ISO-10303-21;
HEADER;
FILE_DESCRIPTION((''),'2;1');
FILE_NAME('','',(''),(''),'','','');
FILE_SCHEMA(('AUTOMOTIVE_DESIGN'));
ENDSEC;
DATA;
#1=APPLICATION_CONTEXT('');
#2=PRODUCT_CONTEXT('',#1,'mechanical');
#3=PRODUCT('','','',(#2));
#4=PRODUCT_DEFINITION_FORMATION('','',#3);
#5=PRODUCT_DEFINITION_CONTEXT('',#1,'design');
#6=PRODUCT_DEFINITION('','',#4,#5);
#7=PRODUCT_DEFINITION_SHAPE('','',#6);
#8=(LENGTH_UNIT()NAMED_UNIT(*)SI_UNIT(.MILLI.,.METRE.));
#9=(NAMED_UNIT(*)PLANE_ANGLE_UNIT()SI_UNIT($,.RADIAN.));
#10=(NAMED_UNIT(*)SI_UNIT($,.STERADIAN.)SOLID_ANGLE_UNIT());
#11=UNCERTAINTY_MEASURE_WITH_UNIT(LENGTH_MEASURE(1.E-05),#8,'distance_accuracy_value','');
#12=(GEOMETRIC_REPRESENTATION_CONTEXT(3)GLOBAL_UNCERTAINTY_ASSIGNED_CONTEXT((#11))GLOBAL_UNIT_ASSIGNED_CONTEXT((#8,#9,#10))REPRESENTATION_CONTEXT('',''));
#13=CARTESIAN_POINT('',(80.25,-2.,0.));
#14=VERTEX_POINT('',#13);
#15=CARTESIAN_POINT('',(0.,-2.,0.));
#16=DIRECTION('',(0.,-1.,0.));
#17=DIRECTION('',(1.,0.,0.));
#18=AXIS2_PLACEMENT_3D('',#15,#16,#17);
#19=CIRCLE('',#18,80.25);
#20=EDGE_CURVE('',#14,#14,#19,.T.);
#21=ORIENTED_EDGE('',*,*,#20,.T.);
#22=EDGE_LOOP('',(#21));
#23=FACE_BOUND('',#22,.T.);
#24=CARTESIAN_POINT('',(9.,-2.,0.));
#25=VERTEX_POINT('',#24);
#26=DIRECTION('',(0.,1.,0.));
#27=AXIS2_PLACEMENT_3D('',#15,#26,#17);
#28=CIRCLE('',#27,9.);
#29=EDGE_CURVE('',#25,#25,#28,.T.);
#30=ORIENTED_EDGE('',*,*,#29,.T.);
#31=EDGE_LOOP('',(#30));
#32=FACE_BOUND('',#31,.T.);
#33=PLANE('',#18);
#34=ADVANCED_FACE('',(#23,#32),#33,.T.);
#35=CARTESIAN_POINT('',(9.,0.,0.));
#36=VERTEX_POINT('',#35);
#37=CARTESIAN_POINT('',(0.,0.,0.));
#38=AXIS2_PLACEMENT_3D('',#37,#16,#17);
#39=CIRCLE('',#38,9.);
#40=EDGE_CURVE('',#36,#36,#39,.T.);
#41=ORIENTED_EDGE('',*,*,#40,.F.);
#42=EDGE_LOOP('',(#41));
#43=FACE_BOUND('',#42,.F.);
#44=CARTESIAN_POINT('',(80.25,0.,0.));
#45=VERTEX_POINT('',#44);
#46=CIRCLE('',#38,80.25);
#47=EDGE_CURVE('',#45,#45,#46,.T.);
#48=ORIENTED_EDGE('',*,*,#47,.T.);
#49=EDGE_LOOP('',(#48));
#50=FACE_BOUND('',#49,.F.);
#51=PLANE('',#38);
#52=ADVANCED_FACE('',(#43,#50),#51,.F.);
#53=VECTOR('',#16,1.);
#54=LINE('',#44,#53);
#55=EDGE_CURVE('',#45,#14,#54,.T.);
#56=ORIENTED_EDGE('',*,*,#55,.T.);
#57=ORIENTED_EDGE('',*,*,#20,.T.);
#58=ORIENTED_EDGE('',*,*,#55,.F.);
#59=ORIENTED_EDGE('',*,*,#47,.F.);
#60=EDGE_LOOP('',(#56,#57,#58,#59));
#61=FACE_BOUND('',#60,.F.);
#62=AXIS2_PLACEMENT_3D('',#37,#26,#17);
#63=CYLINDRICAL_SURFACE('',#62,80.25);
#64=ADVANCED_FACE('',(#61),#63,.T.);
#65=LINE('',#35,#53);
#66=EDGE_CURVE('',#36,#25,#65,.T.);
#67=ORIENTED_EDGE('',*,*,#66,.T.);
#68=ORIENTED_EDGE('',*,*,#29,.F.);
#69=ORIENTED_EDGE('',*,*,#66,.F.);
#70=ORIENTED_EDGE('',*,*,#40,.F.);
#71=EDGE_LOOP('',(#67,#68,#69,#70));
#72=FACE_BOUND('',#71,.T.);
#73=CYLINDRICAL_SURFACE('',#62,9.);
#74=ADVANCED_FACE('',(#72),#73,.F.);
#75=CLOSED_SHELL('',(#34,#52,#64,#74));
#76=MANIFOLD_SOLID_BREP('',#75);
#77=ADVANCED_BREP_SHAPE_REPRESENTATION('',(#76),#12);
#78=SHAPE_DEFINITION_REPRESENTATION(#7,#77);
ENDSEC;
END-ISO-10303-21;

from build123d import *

# Parameters (mm, degrees)
SKETCH_R          = 80.25
PAD_DEPTH         = 2
SKETCH001_R       = 9
POCKET_DEPTH      = 0.001
POCKET_DEPTH_BACK = -2.001


with BuildPart() as part:
    # Sketch → Pad (new body)
    with BuildSketch(Plane.XZ):
        Circle(SKETCH_R)
    extrude(amount=PAD_DEPTH)

    # Sketch001 → Pocket (cut, two sides)
    with BuildSketch(Plane.XZ) as pocket_sk:
        Circle(SKETCH001_R)
    extrude(amount=-POCKET_DEPTH, mode=Mode.SUBTRACT)
    extrude(pocket_sk.sketch, amount=-POCKET_DEPTH_BACK, mode=Mode.SUBTRACT)


solid = part.part
